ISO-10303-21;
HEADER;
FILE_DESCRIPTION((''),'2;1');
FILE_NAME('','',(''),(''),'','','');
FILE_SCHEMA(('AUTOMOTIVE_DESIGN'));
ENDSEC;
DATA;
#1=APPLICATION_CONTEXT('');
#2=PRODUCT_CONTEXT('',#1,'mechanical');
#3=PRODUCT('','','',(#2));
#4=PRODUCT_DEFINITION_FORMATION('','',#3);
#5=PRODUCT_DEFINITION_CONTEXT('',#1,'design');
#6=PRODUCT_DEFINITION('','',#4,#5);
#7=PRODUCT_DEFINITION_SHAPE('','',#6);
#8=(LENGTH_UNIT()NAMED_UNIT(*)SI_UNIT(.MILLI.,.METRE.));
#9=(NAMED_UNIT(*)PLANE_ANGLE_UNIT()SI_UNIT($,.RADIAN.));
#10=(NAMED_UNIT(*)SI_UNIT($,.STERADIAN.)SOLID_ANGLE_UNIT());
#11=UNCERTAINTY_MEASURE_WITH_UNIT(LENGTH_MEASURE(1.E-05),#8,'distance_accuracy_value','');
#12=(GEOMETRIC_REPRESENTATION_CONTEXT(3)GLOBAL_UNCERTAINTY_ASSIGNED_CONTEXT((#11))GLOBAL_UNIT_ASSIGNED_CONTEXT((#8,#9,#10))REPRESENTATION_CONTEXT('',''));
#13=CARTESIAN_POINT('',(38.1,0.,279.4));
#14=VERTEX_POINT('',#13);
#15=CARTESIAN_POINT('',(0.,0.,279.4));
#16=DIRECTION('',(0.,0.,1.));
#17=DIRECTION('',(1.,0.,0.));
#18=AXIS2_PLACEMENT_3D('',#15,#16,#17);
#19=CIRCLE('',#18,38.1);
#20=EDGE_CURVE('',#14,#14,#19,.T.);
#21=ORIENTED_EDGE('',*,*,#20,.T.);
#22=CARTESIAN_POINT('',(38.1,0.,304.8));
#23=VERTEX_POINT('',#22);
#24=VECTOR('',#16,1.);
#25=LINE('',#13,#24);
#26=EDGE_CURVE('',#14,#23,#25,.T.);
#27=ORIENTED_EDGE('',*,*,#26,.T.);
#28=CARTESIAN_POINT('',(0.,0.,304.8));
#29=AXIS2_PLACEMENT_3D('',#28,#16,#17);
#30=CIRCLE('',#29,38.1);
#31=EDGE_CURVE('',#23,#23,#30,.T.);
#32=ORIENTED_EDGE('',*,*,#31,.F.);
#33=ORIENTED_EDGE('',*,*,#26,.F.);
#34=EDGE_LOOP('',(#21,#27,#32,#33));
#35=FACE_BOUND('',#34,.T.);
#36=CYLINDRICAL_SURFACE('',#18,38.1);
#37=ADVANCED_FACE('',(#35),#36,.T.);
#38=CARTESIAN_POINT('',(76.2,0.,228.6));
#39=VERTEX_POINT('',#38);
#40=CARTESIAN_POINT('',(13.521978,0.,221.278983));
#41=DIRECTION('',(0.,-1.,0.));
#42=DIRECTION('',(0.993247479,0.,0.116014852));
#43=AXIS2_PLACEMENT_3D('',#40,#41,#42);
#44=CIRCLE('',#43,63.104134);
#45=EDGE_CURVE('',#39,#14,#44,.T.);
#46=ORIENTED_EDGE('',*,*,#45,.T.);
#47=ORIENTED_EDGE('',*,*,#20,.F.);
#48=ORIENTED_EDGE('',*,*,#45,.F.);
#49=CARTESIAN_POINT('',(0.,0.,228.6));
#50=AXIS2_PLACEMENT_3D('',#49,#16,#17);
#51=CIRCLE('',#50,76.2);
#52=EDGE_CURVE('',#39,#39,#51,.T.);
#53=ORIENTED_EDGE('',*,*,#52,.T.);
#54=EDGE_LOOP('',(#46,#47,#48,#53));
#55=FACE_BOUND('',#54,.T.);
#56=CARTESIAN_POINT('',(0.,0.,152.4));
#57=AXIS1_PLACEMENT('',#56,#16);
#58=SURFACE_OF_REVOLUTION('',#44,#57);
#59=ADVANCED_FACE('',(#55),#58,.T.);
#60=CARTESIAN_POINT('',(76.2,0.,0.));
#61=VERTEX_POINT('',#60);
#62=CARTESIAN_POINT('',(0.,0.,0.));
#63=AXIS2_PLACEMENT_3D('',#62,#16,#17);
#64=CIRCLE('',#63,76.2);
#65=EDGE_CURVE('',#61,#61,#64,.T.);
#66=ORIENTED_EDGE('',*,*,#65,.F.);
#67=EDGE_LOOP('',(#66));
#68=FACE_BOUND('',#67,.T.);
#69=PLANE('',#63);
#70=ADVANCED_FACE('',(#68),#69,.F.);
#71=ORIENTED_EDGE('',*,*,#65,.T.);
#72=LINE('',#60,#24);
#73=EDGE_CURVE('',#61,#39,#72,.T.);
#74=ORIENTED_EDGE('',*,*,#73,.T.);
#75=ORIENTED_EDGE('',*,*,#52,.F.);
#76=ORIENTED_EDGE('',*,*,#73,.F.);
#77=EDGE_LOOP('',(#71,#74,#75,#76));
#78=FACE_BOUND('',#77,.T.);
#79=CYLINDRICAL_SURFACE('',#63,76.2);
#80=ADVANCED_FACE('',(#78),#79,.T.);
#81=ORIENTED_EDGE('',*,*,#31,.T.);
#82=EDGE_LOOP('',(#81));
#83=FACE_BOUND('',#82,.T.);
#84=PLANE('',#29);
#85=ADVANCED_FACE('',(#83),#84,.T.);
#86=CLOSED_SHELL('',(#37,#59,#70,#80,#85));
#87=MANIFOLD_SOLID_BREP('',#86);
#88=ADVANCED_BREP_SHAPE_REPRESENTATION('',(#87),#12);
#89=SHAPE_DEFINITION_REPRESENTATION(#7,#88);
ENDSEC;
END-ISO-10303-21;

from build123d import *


with BuildPart() as f1:
    # F0 (on Front) → F1 (revolve)
    with BuildSketch(Plane.XZ):
        with BuildLine():
            Line((0, 304.8), (0, 0))
            Line((0, 0), (76.2, 0))
            Line((76.2, 0), (76.2, 228.6))
            ThreePointArc((76.2, 228.6), (64.005285, 259.141464), (38.1, 279.4))
            Line((38.1, 279.4), (38.1, 304.8))
            Line((38.1, 304.8), (0, 304.8))
        make_face()
    revolve(axis=Axis((0, 0, 152.4), (0, 0, 1)))


solid = f1.part
